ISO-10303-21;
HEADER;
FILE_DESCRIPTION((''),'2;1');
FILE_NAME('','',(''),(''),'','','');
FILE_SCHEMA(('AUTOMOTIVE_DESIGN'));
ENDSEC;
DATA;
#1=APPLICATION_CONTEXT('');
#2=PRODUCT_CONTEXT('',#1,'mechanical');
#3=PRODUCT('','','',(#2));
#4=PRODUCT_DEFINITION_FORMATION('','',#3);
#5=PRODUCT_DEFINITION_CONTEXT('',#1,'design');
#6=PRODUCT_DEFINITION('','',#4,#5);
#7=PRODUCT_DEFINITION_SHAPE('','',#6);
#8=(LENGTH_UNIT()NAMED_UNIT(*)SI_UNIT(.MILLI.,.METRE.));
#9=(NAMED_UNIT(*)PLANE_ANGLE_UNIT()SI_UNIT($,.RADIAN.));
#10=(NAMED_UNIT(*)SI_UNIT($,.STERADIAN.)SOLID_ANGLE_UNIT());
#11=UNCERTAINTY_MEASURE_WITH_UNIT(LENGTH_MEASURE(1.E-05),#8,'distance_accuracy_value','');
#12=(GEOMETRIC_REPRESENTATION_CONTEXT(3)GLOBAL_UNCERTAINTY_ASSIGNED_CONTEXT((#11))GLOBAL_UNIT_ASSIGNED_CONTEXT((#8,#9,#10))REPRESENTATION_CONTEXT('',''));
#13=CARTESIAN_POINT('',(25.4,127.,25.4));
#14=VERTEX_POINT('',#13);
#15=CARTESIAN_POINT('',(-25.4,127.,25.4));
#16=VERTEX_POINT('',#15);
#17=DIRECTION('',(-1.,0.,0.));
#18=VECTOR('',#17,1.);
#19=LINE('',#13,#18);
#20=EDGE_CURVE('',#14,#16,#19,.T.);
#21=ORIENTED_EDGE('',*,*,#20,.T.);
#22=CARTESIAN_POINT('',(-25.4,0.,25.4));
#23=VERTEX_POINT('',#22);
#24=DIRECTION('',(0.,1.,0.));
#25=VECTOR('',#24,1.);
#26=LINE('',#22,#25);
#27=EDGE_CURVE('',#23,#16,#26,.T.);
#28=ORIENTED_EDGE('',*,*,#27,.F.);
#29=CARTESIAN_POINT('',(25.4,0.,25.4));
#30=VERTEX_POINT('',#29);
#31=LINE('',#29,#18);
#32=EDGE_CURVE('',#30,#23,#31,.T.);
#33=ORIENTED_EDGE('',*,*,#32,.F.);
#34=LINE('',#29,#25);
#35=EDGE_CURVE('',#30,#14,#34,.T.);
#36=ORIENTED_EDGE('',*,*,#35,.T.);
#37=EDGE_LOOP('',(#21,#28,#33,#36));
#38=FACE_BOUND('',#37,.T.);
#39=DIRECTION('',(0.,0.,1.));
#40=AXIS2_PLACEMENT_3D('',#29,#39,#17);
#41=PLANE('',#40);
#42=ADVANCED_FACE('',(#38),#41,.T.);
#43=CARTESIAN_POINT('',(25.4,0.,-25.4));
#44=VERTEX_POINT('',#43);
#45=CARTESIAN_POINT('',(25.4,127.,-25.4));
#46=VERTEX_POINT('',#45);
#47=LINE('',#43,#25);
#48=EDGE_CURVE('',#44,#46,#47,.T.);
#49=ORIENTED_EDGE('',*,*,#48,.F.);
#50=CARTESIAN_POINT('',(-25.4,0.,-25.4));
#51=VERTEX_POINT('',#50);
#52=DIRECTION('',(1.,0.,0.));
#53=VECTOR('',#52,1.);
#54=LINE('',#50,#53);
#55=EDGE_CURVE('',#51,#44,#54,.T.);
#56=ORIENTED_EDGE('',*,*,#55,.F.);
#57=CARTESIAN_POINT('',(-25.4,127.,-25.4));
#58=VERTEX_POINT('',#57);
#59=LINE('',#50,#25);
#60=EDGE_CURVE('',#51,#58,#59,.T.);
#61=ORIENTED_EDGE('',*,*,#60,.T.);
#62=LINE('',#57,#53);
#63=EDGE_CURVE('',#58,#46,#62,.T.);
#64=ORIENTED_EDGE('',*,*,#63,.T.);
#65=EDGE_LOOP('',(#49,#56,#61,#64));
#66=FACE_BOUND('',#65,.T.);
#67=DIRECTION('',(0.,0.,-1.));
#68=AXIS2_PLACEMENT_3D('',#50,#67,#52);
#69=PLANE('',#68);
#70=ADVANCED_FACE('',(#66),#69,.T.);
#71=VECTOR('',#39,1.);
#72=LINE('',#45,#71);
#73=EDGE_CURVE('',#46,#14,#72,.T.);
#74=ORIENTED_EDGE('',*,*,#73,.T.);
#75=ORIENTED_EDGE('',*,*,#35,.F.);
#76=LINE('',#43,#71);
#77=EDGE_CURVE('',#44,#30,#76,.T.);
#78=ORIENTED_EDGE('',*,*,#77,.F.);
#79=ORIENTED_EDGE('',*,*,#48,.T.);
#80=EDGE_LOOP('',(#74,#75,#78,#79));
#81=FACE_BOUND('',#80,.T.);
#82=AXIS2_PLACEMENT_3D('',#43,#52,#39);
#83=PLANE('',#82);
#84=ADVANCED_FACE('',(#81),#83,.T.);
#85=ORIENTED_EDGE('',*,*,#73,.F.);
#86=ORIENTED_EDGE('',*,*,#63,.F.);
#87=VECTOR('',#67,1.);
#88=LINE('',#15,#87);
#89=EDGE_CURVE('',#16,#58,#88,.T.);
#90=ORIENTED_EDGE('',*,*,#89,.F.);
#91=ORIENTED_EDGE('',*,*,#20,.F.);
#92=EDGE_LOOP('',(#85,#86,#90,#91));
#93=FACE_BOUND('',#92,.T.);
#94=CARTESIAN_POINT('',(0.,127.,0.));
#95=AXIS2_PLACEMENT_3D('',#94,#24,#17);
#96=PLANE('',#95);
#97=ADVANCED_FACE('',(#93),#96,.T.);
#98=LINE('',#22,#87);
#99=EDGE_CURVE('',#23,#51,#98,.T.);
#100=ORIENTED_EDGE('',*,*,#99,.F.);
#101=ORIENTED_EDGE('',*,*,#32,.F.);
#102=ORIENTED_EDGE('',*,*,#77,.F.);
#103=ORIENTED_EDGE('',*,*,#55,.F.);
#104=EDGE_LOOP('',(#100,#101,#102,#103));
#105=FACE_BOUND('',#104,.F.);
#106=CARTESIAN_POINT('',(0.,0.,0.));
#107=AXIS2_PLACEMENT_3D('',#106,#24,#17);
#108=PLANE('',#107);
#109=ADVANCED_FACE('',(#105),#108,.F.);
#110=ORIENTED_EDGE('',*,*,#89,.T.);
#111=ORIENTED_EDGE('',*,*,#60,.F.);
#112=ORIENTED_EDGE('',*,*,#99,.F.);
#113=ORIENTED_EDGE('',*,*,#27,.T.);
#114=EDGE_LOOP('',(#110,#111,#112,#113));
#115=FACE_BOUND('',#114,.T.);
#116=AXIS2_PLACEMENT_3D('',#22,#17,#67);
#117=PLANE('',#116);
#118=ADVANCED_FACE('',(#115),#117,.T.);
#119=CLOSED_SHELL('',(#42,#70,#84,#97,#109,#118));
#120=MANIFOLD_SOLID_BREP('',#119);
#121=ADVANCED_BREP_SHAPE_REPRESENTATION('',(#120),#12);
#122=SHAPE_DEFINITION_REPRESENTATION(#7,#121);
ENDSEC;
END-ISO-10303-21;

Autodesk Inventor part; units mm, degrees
ref_plane "YZ Plane" through (0, 0, 0) normal (1, 0, 0) x (0, 1, 0)
ref_plane "XZ Plane" through (0, 0, 0) normal (0, 1, 0) x (-1, 0, 0)
ref_plane "XY Plane" through (0, 0, 0) normal (0, 0, 1) x (1, 0, 0)
sketch "Sketch1" plane through (0, 0, 0) normal (0, 1, 0) x (-1, 0, 0)
  line L0 (-25.4, 25.4) -> (25.4, 25.4)
  line L1 (25.4, 25.4) -> (25.4, -25.4)
  line L2 (25.4, -25.4) -> (-25.4, -25.4)
  line L3 (-25.4, -25.4) -> (-25.4, 25.4)
  line L4 (-25.4, 25.4) -> (25.4, -25.4) construction
  line L5 (25.4, 25.4) -> (-25.4, -25.4) construction
  point P0 (0, 0)
  dimension "d0" = 50.8
  dimension "d1" = 50.8
extrude "Extrusion1" add sketch "Sketch1" along normal blind 127
properties part number "BX11111"
